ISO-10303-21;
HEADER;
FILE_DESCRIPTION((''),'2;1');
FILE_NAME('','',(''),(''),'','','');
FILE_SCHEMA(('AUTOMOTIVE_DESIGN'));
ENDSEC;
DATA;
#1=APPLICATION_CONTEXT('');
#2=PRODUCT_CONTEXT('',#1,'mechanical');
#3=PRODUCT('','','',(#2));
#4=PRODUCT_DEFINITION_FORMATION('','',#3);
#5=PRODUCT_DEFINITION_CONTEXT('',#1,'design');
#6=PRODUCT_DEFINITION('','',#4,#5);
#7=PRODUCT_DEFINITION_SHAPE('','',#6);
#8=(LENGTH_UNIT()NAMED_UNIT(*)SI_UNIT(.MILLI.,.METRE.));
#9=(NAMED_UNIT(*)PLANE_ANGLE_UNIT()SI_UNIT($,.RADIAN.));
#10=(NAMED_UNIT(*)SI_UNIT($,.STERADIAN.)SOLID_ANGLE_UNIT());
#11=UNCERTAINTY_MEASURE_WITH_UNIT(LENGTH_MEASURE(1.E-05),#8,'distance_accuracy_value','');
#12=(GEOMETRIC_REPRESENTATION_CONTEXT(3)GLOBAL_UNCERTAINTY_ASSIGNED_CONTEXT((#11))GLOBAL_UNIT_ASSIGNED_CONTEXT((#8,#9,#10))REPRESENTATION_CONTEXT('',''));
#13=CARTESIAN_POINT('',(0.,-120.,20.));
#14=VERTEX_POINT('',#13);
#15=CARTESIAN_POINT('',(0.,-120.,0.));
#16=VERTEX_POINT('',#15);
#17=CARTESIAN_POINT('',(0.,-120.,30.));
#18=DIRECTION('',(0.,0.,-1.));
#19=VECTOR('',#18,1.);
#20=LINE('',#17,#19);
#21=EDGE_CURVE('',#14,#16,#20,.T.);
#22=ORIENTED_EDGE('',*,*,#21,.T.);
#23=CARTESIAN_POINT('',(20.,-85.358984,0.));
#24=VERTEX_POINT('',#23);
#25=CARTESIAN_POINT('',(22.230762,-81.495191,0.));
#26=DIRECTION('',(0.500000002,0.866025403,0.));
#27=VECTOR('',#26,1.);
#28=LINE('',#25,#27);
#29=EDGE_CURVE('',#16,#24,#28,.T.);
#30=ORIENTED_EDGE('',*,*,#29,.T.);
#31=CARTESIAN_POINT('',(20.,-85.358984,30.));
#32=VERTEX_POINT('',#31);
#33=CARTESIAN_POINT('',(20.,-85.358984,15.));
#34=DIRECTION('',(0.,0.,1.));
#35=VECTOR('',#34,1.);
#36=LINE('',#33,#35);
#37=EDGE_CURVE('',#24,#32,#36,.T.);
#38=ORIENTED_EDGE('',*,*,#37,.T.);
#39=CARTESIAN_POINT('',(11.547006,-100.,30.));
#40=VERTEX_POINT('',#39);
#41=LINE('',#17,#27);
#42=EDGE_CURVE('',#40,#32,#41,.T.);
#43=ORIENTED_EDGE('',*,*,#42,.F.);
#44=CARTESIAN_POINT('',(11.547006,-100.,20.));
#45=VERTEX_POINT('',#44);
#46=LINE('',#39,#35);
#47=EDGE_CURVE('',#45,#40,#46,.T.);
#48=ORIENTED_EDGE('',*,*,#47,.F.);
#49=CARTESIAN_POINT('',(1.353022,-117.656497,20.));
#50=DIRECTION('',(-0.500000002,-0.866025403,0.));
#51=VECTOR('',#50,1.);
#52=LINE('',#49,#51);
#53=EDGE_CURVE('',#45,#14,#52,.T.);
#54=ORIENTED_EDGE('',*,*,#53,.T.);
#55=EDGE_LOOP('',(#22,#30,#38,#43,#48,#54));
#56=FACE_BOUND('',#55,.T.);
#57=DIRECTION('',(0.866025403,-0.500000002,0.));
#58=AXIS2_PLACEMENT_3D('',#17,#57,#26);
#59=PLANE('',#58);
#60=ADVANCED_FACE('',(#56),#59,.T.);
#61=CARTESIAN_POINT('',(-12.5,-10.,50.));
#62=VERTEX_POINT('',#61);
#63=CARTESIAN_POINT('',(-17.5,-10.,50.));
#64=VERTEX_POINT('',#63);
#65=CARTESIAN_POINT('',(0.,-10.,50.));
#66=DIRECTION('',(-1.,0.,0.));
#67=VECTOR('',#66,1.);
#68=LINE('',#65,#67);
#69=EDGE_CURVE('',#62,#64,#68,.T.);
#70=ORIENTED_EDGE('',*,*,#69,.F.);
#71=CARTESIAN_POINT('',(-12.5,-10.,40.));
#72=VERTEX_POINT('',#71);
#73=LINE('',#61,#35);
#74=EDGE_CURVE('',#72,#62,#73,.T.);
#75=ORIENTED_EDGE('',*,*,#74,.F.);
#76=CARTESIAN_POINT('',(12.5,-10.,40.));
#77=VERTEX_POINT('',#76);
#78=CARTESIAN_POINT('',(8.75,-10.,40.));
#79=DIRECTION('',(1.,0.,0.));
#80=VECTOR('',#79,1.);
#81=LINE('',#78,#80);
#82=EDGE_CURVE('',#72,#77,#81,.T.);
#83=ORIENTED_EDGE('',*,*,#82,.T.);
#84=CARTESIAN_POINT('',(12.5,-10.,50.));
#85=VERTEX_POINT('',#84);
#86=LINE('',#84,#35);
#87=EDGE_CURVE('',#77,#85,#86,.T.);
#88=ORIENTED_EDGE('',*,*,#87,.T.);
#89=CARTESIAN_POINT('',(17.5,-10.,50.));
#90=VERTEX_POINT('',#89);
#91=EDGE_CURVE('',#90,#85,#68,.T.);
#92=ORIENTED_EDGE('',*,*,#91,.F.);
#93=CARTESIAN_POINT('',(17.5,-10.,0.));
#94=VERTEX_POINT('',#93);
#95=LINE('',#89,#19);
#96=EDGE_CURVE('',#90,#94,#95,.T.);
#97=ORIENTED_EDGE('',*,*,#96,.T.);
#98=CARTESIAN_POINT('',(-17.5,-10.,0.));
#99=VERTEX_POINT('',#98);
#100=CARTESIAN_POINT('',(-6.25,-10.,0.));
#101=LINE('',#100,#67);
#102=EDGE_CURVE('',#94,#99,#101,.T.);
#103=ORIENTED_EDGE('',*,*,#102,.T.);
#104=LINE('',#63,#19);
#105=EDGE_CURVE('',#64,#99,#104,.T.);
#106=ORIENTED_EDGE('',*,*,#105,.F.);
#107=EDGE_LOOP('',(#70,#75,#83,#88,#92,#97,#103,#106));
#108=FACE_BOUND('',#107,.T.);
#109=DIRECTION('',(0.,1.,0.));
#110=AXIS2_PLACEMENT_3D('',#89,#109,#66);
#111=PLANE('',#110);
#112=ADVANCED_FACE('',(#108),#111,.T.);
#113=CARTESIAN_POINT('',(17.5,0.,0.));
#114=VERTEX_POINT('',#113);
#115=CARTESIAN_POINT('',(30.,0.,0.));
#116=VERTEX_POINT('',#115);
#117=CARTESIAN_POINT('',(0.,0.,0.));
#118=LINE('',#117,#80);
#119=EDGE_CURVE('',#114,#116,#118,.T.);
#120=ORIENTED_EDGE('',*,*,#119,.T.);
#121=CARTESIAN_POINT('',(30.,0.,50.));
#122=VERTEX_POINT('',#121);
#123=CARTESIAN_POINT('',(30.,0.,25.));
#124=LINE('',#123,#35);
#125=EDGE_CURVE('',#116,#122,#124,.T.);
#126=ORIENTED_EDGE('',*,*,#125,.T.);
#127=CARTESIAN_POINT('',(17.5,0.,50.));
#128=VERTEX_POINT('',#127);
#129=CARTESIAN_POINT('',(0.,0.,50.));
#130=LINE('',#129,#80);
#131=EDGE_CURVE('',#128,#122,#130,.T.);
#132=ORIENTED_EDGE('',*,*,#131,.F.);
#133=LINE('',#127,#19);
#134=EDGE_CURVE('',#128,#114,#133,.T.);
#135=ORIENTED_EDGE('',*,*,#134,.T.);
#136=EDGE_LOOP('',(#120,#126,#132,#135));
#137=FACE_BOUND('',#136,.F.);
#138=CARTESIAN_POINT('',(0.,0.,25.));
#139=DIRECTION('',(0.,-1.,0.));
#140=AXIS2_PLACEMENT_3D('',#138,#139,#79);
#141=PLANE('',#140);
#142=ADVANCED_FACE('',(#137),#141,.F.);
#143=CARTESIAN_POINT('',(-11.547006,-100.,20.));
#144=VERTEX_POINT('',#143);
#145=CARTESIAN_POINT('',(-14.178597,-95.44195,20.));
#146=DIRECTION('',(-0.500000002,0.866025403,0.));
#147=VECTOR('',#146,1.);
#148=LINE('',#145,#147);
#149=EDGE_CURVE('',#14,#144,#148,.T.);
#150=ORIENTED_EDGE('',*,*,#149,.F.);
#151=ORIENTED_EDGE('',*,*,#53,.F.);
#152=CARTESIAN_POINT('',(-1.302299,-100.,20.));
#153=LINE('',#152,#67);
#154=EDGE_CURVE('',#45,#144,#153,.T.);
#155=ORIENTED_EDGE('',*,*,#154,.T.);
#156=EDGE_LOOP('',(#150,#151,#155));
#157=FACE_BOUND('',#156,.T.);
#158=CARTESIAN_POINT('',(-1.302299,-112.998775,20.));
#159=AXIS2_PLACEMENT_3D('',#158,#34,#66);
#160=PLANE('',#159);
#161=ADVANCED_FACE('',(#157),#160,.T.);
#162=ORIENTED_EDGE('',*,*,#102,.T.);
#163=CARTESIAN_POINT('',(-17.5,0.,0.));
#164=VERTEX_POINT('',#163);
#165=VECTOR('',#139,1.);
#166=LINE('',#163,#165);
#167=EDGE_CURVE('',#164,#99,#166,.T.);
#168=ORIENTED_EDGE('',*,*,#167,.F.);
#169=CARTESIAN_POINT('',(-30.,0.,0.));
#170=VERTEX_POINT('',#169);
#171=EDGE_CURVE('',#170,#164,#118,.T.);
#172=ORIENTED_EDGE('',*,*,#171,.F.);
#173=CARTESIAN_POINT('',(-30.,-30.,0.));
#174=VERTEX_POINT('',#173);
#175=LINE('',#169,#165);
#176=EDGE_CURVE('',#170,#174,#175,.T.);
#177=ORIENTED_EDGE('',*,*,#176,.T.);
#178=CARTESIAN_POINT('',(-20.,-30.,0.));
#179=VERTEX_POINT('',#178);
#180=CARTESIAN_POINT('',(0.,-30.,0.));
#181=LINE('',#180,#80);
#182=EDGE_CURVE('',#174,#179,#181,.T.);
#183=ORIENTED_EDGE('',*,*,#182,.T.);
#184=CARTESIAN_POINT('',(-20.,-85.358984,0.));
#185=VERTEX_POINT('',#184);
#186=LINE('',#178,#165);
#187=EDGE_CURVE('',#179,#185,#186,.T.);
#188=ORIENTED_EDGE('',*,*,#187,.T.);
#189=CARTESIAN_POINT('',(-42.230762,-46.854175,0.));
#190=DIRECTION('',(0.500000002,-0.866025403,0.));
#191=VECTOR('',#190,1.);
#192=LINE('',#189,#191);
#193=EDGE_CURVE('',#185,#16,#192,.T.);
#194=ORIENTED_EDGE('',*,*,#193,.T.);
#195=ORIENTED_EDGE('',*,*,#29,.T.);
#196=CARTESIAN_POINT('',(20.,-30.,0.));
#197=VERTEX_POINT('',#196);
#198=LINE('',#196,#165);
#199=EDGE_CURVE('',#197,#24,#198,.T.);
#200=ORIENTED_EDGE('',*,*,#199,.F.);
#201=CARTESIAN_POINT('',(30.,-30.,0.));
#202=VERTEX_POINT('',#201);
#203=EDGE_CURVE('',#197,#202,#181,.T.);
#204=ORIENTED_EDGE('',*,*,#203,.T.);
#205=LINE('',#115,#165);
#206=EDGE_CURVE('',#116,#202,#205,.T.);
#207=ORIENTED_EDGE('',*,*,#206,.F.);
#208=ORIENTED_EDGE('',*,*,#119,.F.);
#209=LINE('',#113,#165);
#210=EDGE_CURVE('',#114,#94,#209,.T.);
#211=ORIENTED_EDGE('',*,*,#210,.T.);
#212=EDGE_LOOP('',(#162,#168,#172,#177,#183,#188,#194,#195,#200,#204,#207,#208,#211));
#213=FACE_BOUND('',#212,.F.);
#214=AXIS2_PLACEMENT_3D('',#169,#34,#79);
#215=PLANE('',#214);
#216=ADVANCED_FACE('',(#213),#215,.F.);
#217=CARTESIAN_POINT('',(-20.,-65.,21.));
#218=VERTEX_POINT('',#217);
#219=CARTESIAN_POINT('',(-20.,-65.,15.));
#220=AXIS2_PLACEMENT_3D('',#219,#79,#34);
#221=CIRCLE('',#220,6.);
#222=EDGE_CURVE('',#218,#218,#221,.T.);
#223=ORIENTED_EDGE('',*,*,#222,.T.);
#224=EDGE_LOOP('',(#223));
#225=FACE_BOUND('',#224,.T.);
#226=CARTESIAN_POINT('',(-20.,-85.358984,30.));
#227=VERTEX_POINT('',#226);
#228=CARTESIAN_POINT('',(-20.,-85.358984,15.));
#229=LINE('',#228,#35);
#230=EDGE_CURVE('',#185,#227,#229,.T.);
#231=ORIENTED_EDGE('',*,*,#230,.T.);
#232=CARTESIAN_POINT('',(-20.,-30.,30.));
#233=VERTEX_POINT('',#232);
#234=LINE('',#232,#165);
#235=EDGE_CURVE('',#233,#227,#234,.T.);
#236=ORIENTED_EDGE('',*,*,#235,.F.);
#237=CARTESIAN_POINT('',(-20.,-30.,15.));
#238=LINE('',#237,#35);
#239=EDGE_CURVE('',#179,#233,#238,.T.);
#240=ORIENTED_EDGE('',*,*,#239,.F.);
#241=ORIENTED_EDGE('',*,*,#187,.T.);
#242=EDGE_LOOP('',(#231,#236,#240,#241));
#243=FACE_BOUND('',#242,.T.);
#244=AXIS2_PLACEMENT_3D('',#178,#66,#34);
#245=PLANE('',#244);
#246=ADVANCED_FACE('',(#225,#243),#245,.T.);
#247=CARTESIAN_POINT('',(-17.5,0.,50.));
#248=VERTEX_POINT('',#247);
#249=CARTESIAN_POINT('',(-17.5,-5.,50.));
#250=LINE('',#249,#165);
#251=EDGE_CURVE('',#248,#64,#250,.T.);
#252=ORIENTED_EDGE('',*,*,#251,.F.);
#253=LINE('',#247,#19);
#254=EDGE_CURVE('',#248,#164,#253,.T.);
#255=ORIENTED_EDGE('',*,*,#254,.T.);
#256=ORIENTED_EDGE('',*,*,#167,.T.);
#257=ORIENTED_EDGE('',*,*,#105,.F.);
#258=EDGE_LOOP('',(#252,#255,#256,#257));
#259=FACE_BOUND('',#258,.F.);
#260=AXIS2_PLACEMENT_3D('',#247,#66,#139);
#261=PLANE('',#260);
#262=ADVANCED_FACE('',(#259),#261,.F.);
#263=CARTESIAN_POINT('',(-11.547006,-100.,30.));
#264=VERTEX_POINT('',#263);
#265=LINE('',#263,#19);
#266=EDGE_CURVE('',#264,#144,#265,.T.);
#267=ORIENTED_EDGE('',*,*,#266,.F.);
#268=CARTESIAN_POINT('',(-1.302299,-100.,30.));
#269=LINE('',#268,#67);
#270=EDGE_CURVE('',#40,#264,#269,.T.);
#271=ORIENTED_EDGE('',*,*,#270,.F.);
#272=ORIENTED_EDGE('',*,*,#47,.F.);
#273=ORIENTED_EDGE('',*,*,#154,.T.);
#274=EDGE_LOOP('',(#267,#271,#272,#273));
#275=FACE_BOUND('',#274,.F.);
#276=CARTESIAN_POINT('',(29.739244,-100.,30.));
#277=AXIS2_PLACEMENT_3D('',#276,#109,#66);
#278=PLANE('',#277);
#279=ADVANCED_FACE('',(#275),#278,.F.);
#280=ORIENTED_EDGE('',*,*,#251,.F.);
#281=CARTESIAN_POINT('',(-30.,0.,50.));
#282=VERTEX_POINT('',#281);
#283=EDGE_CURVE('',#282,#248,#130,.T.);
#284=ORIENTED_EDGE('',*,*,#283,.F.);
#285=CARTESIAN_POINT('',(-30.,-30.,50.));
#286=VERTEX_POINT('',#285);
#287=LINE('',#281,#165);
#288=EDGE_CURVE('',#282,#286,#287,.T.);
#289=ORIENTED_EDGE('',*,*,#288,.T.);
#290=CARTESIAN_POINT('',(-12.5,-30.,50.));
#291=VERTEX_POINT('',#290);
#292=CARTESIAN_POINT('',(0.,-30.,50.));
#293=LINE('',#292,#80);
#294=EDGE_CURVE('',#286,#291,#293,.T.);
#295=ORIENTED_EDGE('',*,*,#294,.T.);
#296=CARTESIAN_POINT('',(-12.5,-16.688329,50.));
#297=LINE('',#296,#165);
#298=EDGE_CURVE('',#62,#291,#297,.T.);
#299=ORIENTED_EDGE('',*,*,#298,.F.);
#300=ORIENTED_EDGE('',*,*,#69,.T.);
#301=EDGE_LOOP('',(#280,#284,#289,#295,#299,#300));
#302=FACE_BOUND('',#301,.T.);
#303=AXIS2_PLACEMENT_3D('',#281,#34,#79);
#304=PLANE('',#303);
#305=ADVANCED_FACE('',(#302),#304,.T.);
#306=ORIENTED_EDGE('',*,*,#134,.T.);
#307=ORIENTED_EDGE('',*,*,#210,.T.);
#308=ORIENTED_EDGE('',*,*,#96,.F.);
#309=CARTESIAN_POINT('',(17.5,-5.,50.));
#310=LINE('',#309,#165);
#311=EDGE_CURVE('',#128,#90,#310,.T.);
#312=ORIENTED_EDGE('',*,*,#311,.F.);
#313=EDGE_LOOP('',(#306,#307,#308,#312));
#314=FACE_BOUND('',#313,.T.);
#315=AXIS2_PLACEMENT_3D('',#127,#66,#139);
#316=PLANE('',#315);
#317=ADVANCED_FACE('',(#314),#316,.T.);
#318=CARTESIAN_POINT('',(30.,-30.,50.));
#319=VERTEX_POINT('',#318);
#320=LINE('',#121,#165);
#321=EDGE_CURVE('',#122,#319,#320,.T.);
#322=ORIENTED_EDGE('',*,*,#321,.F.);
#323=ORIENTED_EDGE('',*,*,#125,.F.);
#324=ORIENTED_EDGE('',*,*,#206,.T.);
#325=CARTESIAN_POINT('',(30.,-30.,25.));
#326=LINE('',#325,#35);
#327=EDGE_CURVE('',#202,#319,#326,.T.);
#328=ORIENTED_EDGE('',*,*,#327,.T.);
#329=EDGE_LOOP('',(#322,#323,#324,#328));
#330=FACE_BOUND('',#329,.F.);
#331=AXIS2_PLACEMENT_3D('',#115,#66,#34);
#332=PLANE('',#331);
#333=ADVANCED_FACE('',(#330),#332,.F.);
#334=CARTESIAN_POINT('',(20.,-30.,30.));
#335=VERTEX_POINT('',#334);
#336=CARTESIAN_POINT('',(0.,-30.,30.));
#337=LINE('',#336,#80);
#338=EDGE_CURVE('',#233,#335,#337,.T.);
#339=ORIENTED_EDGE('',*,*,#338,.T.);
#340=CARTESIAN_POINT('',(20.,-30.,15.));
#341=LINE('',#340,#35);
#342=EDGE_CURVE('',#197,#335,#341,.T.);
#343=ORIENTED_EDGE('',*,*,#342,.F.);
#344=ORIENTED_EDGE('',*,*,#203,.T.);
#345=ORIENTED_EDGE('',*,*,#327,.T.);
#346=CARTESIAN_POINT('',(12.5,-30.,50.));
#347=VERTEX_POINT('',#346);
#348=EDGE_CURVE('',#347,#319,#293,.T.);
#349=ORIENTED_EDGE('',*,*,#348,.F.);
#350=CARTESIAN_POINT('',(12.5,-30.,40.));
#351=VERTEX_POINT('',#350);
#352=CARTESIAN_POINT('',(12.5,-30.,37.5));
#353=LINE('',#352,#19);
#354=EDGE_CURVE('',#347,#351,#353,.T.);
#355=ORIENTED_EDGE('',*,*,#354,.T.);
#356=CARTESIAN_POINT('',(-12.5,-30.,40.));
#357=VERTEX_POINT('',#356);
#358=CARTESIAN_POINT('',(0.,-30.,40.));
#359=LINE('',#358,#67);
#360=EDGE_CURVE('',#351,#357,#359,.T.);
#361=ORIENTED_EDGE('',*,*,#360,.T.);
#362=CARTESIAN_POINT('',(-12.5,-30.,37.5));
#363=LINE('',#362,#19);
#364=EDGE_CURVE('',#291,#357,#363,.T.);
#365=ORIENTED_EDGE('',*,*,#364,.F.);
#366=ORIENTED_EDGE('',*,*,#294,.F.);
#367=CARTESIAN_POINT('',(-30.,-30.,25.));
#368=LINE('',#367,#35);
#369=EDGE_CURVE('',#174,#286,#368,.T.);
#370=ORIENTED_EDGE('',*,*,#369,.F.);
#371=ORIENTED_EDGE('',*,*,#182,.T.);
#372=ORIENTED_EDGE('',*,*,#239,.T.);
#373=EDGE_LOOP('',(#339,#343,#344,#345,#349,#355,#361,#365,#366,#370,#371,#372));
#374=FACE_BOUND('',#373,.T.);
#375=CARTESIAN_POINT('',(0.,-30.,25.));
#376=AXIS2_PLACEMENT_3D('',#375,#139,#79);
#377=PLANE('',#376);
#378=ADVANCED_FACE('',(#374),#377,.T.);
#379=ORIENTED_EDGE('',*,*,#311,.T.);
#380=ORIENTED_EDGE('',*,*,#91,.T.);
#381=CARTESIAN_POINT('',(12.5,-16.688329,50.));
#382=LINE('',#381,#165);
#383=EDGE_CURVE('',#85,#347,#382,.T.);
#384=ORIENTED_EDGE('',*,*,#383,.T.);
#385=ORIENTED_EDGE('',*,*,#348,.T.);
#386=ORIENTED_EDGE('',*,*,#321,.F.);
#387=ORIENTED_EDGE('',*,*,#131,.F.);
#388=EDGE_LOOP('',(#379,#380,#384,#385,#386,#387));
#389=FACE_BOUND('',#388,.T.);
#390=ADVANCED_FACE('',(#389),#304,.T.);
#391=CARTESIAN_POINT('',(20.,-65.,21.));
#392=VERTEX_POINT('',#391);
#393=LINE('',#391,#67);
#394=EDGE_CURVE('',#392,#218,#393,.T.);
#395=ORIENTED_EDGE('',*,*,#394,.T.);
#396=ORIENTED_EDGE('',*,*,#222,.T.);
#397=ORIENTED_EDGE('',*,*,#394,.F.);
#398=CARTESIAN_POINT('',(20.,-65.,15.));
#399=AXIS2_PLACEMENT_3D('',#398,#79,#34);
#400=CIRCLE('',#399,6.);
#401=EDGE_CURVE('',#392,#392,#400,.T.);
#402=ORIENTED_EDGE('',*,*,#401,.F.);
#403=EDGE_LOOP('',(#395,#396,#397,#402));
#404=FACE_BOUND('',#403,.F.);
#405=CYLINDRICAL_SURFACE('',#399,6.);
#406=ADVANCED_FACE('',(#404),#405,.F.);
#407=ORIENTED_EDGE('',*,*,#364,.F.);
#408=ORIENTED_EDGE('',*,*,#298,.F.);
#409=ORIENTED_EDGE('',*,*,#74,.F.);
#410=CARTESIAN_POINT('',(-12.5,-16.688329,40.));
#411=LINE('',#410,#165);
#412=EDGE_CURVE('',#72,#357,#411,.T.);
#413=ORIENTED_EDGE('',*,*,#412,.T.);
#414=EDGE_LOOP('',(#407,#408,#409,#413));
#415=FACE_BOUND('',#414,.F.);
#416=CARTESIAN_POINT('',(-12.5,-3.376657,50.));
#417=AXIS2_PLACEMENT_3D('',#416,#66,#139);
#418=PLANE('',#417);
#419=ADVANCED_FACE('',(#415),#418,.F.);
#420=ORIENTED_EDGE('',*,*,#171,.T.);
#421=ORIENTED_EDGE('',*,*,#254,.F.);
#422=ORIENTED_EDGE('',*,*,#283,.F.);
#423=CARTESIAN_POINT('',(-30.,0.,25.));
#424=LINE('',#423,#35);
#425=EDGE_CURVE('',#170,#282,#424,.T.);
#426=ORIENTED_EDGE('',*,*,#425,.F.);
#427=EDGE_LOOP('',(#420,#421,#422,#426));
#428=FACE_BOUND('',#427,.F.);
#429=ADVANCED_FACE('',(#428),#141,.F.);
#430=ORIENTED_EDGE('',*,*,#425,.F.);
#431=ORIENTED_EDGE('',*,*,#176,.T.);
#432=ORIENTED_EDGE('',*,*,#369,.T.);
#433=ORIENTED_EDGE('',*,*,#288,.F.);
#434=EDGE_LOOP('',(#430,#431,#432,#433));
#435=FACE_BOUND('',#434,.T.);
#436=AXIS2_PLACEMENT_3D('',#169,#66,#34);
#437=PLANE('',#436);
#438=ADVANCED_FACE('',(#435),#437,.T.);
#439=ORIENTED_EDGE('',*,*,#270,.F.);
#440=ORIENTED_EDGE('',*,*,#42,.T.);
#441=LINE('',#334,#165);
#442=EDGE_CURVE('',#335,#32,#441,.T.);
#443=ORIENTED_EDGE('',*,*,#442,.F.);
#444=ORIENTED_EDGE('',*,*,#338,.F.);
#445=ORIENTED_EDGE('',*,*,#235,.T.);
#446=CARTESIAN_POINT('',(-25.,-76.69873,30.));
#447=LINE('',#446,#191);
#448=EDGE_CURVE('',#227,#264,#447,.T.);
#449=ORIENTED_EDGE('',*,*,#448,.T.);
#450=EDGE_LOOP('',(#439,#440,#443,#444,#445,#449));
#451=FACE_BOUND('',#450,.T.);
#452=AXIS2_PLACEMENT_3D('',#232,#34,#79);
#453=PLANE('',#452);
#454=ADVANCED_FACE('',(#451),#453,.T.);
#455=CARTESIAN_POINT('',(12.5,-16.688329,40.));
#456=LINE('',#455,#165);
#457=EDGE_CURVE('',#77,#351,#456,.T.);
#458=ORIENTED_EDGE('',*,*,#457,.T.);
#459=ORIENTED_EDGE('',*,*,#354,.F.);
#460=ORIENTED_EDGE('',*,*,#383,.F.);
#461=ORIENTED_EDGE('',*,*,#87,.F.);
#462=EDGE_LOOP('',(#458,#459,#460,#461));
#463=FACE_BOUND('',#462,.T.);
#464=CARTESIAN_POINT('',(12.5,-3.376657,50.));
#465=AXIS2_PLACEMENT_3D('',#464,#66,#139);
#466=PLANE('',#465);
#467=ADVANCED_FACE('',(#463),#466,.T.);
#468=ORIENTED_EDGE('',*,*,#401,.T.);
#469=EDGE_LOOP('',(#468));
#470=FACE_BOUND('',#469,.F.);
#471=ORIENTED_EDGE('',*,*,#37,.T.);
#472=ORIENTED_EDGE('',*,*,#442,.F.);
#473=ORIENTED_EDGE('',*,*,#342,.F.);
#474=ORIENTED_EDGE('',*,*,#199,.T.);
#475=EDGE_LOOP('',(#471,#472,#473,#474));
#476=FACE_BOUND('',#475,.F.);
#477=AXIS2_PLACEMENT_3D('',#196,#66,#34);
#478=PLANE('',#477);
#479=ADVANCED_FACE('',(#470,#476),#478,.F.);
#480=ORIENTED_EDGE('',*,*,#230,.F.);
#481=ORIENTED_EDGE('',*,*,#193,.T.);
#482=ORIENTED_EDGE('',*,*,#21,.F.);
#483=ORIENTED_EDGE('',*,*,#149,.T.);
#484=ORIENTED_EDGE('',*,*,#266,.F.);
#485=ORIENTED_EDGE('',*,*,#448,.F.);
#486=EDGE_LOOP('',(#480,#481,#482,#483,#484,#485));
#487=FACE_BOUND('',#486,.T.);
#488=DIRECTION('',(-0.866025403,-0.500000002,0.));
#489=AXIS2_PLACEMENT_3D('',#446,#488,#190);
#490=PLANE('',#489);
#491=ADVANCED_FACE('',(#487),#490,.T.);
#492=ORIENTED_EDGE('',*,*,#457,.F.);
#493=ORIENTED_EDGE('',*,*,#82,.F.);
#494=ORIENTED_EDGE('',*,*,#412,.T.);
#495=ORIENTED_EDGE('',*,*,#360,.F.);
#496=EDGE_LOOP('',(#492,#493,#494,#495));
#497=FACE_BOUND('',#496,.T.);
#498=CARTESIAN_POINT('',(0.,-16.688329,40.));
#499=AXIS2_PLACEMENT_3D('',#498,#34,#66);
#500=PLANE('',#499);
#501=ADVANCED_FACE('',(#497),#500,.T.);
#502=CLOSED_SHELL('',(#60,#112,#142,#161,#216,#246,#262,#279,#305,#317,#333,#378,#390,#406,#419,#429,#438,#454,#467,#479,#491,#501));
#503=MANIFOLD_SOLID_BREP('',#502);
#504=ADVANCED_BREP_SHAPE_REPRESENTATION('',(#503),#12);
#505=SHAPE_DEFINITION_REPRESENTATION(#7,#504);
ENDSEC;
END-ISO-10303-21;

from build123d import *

# Parameters (mm, degrees)
SKETCH_W        = 60
SKETCH_H        = 50
PAD_DEPTH       = 30
SKETCH001_W     = 40
SKETCH001_H     = 30
PAD001_DEPTH    = 90
SKETCH002_W     = 35
SKETCH002_H     = 10
POCKET_DEPTH    = 50.001
SKETCH003_W     = 25
SKETCH003_H     = 26.623343
POCKET001_DEPTH = 10
SKETCH004_R     = 6
POCKET002_DEPTH = 50.001
POCKET003_DEPTH = 30.001
SKETCH006_W     = 62.083085
SKETCH006_H     = 25.997551
POCKET004_DEPTH = 10


with BuildPart() as part:
    # Sketch → Pad (new body)
    with BuildSketch(Plane.XZ):
        with Locations((0, 25)):
            Rectangle(SKETCH_W, SKETCH_H)
    extrude(amount=PAD_DEPTH)

    # Sketch001 → Pad001 (new body)
    with BuildSketch(Plane.XZ.offset(30)):
        with Locations((0, 15)):
            Rectangle(SKETCH001_W, SKETCH001_H)
    extrude(amount=PAD001_DEPTH)

    # Sketch002 → Pocket (cut, through all)
    with BuildSketch(Plane(origin=(0, 0, 50), x_dir=(-1, 0, 0), z_dir=(0, 0, 1))):
        with Locations((0, 5)):
            Rectangle(SKETCH002_W, SKETCH002_H)
    extrude(amount=-POCKET_DEPTH, mode=Mode.SUBTRACT)

    # Sketch003 → Pocket001 (cut)
    with BuildSketch(Plane(origin=(0, 0, 50), x_dir=(-1, 0, 0), z_dir=(0, 0, 1))):
        with Locations((0, 16.688329)):
            Rectangle(SKETCH003_W, SKETCH003_H)
    extrude(amount=-POCKET001_DEPTH, mode=Mode.SUBTRACT)

    # Sketch004 → Pocket002 (cut, through all)
    with BuildSketch(Plane(origin=(20, 0, 0), x_dir=(0, 0, 1), z_dir=(1, 0, 0))):
        with Locations((15, 65)):
            Circle(SKETCH004_R)
    extrude(amount=-POCKET002_DEPTH, mode=Mode.SUBTRACT)

    # Sketch005 → Pocket003 (cut, through all)
    with BuildSketch(Plane(origin=(0, 0, 30), x_dir=(-1, 0, 0), z_dir=(0, 0, 1))):
        Polygon((0, 120), (-25, 76.69873), (-25, 127.885117), (25, 127.885117), (25, 76.69873), align=None)
    extrude(amount=-POCKET003_DEPTH, mode=Mode.SUBTRACT)

    # Sketch006 → Pocket004 (cut)
    with BuildSketch(Plane(origin=(0, 0, 30), x_dir=(-1, 0, 0), z_dir=(0, 0, 1))):
        with Locations((1.302299, 112.998775)):
            Rectangle(SKETCH006_W, SKETCH006_H)
    extrude(amount=-POCKET004_DEPTH, mode=Mode.SUBTRACT)


solid = part.part
